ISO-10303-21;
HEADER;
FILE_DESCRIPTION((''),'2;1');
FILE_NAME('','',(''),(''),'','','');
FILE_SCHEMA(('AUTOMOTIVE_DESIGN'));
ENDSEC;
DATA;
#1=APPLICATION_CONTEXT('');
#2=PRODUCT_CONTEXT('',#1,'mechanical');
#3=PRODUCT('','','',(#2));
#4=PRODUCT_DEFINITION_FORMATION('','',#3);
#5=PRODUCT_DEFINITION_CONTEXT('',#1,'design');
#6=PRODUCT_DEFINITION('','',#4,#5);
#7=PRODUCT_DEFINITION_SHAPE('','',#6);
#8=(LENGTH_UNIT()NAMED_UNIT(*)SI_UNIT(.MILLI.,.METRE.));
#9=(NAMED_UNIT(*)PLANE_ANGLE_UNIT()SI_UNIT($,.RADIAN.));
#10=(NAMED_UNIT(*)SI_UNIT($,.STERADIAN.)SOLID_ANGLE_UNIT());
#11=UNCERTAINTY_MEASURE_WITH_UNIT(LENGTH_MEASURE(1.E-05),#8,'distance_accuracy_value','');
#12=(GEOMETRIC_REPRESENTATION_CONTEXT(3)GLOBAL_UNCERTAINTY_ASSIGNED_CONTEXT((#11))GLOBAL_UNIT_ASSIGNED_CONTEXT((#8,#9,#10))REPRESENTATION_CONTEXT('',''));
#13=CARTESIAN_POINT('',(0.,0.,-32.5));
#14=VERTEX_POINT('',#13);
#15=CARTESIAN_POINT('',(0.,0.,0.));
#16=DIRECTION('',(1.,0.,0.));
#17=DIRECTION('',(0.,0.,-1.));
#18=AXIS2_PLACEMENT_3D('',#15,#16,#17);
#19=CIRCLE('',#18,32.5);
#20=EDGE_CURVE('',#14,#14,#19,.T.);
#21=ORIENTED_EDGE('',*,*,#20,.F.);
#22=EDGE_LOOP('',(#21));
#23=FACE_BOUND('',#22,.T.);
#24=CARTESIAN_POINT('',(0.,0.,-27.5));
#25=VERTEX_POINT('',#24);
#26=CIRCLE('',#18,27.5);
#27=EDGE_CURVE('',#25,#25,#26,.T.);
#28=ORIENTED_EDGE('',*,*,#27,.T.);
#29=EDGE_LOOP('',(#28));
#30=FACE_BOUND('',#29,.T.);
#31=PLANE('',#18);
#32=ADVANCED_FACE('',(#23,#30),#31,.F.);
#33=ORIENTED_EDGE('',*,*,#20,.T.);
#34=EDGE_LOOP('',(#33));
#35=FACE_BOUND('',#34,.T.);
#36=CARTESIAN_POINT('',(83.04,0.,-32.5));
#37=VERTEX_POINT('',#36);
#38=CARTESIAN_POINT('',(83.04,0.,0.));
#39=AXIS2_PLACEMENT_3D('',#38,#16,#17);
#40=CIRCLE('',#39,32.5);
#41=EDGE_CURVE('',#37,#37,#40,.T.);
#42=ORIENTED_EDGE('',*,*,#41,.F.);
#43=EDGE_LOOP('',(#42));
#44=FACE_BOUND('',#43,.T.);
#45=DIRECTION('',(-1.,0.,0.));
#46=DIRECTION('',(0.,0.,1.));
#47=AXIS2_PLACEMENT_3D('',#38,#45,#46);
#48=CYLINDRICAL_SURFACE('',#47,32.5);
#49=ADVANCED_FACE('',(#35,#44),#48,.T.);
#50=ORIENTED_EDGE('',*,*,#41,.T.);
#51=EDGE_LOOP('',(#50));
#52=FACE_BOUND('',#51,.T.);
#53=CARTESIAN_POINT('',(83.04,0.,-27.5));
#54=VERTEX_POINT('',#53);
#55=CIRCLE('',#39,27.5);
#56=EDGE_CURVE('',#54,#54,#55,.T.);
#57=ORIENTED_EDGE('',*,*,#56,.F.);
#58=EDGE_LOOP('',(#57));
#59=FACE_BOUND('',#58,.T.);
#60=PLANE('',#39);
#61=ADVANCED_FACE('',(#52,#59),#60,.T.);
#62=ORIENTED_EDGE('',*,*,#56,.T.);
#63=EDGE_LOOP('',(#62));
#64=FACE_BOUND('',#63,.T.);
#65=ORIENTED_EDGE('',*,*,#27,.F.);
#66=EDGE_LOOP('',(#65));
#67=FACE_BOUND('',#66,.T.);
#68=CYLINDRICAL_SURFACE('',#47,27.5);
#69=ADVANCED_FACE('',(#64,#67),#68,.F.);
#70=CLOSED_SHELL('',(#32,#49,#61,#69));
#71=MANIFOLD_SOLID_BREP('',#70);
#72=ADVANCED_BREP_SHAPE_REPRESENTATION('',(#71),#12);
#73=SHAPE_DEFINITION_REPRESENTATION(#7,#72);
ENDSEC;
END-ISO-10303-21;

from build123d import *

# Parameters (mm, degrees)
SKETCH1_R           = 32.5
SKETCH1_R_2         = 27.5
BOSS_EXTRUDE1_DEPTH = 83.04


with BuildPart() as part:
    # Sketch1 → Boss-Extrude1 (new body)
    with BuildSketch(Plane(origin=(0, 0, 0), x_dir=(0, 0, -1), z_dir=(1, 0, 0))):
        Circle(SKETCH1_R)
        Circle(SKETCH1_R_2, mode=Mode.SUBTRACT)
    extrude(amount=BOSS_EXTRUDE1_DEPTH)


solid = part.part
